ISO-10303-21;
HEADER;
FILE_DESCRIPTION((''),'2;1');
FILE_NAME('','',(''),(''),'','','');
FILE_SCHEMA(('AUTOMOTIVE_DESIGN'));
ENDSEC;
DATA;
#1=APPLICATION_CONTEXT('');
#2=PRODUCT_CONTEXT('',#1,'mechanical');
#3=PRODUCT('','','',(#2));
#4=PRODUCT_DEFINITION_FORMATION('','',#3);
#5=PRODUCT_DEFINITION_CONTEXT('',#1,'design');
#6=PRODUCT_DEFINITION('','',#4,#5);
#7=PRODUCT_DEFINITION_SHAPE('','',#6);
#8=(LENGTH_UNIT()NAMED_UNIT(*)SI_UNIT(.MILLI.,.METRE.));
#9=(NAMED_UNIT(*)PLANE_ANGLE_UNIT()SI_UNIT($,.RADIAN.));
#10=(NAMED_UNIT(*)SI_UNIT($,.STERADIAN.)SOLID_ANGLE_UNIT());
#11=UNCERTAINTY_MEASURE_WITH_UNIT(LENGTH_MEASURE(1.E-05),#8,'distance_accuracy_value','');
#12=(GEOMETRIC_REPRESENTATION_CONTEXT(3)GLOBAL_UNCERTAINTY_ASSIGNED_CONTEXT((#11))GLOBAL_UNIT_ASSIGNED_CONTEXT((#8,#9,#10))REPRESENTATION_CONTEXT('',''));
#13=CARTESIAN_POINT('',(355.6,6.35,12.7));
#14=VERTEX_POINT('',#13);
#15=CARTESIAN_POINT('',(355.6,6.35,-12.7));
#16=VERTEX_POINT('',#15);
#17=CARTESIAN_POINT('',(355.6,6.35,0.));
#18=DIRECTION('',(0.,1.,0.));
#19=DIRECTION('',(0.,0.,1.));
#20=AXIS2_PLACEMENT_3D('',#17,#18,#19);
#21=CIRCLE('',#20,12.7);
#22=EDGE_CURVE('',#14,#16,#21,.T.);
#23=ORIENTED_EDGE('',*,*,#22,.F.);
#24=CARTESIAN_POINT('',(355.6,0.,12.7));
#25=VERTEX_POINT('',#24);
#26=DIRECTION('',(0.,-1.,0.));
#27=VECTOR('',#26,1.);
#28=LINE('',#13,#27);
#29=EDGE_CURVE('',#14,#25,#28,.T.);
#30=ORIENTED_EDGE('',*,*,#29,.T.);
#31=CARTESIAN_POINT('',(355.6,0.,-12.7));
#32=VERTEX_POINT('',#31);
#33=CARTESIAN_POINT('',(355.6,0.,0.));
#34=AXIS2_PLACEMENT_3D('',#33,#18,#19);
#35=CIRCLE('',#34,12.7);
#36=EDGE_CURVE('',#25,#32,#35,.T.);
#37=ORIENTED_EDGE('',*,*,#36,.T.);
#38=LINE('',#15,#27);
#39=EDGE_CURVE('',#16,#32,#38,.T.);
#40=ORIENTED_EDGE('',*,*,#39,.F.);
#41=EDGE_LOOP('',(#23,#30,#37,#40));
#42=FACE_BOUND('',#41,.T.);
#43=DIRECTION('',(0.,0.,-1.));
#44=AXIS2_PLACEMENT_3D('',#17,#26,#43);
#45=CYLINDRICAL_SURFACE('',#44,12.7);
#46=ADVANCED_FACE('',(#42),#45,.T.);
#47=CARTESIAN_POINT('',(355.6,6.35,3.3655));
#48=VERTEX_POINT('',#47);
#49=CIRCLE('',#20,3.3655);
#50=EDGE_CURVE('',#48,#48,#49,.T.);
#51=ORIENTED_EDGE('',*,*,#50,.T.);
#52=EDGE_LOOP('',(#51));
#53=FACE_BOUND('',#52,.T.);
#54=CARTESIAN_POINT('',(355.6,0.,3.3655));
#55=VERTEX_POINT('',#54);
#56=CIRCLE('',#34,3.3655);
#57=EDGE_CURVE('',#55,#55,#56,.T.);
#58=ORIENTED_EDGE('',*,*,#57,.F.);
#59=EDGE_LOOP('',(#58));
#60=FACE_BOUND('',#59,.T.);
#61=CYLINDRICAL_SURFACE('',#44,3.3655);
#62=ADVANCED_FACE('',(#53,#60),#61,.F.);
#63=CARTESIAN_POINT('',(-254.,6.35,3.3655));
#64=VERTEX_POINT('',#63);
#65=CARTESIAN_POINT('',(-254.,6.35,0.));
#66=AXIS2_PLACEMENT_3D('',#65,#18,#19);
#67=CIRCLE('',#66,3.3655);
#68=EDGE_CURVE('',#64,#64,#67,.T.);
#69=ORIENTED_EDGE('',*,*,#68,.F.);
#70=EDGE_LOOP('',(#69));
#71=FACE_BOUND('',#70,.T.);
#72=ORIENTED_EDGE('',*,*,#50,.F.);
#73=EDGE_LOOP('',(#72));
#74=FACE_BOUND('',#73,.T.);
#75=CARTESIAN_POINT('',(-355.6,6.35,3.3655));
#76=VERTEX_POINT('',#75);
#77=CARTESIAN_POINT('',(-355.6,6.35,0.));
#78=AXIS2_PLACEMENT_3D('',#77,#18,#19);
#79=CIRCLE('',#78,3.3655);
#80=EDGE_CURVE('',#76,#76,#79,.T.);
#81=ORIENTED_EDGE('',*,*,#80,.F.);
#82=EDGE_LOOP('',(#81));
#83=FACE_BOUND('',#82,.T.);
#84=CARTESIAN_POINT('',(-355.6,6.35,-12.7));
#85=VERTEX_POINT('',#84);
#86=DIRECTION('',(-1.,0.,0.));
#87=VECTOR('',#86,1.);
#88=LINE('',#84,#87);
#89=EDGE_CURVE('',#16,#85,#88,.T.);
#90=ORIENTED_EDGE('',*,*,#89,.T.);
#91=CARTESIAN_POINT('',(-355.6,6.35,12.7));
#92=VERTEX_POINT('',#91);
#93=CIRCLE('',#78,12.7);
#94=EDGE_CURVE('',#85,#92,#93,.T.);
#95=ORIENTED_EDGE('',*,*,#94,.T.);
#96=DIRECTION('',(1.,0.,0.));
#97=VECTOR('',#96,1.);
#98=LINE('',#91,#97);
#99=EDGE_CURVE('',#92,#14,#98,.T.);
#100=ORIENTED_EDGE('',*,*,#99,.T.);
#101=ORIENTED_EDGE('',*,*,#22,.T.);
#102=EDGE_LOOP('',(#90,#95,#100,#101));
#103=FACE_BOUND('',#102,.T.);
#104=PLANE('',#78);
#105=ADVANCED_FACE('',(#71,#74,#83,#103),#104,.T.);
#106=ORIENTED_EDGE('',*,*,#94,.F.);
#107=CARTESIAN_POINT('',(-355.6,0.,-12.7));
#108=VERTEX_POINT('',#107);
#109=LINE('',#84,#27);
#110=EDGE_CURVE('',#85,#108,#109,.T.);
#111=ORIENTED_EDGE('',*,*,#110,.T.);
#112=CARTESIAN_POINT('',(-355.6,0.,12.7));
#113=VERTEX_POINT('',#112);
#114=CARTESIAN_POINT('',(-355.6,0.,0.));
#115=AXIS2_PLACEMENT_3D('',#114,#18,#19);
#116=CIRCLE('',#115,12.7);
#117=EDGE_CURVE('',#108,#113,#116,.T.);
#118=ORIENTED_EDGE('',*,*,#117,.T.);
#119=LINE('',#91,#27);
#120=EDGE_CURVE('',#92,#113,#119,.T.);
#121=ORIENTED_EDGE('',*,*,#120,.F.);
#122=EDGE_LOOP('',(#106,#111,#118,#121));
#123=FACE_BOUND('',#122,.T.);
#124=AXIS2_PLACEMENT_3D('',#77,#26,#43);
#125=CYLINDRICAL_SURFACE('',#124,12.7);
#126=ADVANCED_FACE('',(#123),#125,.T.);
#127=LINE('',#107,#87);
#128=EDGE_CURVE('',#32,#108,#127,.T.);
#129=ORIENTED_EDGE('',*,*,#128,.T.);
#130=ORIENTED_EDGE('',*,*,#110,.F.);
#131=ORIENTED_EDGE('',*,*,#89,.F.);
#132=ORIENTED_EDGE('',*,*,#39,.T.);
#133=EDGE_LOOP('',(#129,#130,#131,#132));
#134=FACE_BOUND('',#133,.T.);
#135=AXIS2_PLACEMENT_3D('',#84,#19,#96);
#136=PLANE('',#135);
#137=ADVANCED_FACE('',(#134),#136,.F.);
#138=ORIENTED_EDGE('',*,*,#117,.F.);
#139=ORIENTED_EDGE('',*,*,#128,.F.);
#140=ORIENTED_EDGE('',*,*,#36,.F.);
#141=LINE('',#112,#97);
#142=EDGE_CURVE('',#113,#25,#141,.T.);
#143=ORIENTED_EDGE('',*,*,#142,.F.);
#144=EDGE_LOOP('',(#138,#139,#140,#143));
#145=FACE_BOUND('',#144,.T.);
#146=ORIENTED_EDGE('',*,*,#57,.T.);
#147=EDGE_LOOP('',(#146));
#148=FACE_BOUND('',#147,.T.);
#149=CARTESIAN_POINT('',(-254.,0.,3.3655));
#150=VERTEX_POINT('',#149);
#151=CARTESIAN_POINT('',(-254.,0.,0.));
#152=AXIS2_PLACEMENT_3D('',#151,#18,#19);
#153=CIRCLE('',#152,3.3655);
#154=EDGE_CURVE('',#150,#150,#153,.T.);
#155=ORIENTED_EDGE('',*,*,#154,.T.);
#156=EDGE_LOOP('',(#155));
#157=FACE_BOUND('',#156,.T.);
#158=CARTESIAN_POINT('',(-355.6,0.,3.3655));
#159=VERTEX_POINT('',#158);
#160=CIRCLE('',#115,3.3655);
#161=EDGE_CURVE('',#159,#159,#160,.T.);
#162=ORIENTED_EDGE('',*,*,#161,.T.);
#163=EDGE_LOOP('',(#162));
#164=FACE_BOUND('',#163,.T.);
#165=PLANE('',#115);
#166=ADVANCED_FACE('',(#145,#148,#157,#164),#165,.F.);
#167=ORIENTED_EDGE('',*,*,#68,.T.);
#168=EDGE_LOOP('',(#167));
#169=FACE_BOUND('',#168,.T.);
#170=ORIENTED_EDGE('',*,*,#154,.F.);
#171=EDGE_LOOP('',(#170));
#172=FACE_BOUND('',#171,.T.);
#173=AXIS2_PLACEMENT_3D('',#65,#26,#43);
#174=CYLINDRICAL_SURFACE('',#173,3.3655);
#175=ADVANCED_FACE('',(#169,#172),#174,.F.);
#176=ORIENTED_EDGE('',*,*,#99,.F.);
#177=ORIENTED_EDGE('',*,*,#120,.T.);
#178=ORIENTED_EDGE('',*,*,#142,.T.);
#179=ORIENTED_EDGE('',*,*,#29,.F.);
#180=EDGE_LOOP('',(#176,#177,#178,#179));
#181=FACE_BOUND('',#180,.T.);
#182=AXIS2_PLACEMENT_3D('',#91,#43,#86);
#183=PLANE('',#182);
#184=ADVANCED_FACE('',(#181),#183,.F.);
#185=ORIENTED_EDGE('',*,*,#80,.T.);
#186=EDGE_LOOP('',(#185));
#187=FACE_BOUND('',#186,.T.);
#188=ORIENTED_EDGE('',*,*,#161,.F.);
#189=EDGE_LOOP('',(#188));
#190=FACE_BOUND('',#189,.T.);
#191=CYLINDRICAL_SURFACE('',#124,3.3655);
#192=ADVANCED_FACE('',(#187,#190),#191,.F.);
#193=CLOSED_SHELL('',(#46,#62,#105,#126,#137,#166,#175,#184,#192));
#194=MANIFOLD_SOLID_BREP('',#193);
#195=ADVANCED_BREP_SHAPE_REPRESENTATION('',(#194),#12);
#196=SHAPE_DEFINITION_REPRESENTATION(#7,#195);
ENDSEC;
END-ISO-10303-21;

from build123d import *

# Parameters (mm, degrees)
SKETCH1_R           = 3.3655
BOSS_EXTRUDE1_DEPTH = 6.35


with BuildPart() as part:
    # Sketch1 → Boss-Extrude1 (new body)
    with BuildSketch(Plane(origin=(0, 0, 0), x_dir=(1, 0, 0), z_dir=(0, 1, 0))):
        with BuildLine():
            Line((-355.6, 12.7), (355.6, 12.7))
            ThreePointArc((355.6, 12.7), (368.3, 0), (355.6, -12.7))
            Line((355.6, -12.7), (-355.6, -12.7))
            ThreePointArc((-355.6, -12.7), (-368.3, 0), (-355.6, 12.7))
        make_face()
        with Locations(Location((355.6, 0, 0), (0, 0, 270))):
            Circle(SKETCH1_R, mode=Mode.SUBTRACT)
        with Locations(Location((-254, 0, 0), (0, 0, 270))):
            Circle(SKETCH1_R, mode=Mode.SUBTRACT)
        with Locations(Location((-355.6, 0, 0), (0, 0, 270))):
            Circle(SKETCH1_R, mode=Mode.SUBTRACT)
    extrude(amount=BOSS_EXTRUDE1_DEPTH)


solid = part.part
